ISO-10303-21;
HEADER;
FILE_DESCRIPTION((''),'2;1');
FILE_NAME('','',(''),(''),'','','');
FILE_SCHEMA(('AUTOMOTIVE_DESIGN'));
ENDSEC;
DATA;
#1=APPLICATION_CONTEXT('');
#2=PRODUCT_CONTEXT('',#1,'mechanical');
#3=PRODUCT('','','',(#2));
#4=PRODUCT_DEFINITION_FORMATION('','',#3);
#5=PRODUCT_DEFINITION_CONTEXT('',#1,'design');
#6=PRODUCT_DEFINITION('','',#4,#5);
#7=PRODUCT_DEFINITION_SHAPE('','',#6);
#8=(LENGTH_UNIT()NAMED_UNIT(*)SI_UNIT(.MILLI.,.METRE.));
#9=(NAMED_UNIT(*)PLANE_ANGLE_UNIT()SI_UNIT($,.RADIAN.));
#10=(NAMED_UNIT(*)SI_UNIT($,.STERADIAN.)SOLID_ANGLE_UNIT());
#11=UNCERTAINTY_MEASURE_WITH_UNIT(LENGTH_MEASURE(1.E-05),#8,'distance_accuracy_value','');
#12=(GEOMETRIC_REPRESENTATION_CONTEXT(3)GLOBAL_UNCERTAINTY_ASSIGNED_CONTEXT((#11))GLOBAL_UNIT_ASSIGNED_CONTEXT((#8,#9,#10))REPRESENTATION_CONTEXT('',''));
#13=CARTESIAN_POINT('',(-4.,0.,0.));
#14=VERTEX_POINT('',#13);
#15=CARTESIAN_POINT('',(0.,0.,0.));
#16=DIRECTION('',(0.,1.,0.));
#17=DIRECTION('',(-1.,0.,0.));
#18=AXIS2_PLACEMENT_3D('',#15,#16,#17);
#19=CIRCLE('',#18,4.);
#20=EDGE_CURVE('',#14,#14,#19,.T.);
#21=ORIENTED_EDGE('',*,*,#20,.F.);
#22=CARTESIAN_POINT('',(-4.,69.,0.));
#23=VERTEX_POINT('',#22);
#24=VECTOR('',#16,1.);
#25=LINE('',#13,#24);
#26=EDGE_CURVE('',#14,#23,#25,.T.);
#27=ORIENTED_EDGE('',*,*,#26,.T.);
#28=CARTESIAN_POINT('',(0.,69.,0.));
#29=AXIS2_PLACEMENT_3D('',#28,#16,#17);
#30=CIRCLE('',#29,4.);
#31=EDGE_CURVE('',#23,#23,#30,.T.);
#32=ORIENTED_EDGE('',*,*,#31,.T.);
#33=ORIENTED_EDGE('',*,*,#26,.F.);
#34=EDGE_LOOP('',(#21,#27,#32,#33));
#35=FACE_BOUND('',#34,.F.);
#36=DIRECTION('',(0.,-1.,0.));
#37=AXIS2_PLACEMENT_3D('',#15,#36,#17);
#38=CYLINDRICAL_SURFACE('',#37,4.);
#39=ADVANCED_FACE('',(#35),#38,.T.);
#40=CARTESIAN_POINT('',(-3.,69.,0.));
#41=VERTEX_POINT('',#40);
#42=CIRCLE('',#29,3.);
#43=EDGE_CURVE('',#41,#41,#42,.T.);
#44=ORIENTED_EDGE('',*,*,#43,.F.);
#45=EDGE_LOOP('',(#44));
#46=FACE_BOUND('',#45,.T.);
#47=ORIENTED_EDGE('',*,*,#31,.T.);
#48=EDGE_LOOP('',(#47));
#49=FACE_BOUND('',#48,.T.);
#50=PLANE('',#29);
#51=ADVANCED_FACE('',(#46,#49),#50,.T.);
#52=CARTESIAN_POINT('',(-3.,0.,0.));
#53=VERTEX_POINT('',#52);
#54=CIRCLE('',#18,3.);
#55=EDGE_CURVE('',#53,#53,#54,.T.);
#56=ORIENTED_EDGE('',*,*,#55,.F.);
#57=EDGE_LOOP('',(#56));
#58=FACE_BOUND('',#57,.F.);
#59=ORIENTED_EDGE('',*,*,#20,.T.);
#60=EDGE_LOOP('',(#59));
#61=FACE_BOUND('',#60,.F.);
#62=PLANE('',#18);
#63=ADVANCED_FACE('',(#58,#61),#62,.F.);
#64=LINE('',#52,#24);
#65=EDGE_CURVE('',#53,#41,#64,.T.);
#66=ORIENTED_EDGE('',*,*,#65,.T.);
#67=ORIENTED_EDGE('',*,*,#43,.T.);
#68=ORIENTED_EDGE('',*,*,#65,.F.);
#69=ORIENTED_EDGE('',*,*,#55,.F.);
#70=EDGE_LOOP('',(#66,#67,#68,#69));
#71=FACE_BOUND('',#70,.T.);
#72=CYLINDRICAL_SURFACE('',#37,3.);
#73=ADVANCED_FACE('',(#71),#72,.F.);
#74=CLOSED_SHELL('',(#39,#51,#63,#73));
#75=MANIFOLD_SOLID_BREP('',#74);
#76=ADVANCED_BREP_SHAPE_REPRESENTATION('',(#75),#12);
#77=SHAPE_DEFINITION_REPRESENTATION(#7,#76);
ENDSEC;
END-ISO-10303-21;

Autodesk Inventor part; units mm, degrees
ref_plane "YZ Plane" through (0, 0, 0) normal (1, 0, 0) x (0, 1, 0)
ref_plane "XZ Plane" through (0, 0, 0) normal (0, 1, 0) x (-1, 0, 0)
ref_plane "XY Plane" through (0, 0, 0) normal (0, 0, 1) x (1, 0, 0)
sketch "Sketch1" plane through (0, 0, 0) normal (0, 1, 0) x (-1, 0, 0)
  circle A0 centre (0, 0) radius 4
  circle A1 centre (0, 0) radius 3
  dimension "d0" = 8
  dimension "d1" = 6
extrude "Extrusion1" add sketch "Sketch1" along normal blind 69
properties part number "Tubing"
